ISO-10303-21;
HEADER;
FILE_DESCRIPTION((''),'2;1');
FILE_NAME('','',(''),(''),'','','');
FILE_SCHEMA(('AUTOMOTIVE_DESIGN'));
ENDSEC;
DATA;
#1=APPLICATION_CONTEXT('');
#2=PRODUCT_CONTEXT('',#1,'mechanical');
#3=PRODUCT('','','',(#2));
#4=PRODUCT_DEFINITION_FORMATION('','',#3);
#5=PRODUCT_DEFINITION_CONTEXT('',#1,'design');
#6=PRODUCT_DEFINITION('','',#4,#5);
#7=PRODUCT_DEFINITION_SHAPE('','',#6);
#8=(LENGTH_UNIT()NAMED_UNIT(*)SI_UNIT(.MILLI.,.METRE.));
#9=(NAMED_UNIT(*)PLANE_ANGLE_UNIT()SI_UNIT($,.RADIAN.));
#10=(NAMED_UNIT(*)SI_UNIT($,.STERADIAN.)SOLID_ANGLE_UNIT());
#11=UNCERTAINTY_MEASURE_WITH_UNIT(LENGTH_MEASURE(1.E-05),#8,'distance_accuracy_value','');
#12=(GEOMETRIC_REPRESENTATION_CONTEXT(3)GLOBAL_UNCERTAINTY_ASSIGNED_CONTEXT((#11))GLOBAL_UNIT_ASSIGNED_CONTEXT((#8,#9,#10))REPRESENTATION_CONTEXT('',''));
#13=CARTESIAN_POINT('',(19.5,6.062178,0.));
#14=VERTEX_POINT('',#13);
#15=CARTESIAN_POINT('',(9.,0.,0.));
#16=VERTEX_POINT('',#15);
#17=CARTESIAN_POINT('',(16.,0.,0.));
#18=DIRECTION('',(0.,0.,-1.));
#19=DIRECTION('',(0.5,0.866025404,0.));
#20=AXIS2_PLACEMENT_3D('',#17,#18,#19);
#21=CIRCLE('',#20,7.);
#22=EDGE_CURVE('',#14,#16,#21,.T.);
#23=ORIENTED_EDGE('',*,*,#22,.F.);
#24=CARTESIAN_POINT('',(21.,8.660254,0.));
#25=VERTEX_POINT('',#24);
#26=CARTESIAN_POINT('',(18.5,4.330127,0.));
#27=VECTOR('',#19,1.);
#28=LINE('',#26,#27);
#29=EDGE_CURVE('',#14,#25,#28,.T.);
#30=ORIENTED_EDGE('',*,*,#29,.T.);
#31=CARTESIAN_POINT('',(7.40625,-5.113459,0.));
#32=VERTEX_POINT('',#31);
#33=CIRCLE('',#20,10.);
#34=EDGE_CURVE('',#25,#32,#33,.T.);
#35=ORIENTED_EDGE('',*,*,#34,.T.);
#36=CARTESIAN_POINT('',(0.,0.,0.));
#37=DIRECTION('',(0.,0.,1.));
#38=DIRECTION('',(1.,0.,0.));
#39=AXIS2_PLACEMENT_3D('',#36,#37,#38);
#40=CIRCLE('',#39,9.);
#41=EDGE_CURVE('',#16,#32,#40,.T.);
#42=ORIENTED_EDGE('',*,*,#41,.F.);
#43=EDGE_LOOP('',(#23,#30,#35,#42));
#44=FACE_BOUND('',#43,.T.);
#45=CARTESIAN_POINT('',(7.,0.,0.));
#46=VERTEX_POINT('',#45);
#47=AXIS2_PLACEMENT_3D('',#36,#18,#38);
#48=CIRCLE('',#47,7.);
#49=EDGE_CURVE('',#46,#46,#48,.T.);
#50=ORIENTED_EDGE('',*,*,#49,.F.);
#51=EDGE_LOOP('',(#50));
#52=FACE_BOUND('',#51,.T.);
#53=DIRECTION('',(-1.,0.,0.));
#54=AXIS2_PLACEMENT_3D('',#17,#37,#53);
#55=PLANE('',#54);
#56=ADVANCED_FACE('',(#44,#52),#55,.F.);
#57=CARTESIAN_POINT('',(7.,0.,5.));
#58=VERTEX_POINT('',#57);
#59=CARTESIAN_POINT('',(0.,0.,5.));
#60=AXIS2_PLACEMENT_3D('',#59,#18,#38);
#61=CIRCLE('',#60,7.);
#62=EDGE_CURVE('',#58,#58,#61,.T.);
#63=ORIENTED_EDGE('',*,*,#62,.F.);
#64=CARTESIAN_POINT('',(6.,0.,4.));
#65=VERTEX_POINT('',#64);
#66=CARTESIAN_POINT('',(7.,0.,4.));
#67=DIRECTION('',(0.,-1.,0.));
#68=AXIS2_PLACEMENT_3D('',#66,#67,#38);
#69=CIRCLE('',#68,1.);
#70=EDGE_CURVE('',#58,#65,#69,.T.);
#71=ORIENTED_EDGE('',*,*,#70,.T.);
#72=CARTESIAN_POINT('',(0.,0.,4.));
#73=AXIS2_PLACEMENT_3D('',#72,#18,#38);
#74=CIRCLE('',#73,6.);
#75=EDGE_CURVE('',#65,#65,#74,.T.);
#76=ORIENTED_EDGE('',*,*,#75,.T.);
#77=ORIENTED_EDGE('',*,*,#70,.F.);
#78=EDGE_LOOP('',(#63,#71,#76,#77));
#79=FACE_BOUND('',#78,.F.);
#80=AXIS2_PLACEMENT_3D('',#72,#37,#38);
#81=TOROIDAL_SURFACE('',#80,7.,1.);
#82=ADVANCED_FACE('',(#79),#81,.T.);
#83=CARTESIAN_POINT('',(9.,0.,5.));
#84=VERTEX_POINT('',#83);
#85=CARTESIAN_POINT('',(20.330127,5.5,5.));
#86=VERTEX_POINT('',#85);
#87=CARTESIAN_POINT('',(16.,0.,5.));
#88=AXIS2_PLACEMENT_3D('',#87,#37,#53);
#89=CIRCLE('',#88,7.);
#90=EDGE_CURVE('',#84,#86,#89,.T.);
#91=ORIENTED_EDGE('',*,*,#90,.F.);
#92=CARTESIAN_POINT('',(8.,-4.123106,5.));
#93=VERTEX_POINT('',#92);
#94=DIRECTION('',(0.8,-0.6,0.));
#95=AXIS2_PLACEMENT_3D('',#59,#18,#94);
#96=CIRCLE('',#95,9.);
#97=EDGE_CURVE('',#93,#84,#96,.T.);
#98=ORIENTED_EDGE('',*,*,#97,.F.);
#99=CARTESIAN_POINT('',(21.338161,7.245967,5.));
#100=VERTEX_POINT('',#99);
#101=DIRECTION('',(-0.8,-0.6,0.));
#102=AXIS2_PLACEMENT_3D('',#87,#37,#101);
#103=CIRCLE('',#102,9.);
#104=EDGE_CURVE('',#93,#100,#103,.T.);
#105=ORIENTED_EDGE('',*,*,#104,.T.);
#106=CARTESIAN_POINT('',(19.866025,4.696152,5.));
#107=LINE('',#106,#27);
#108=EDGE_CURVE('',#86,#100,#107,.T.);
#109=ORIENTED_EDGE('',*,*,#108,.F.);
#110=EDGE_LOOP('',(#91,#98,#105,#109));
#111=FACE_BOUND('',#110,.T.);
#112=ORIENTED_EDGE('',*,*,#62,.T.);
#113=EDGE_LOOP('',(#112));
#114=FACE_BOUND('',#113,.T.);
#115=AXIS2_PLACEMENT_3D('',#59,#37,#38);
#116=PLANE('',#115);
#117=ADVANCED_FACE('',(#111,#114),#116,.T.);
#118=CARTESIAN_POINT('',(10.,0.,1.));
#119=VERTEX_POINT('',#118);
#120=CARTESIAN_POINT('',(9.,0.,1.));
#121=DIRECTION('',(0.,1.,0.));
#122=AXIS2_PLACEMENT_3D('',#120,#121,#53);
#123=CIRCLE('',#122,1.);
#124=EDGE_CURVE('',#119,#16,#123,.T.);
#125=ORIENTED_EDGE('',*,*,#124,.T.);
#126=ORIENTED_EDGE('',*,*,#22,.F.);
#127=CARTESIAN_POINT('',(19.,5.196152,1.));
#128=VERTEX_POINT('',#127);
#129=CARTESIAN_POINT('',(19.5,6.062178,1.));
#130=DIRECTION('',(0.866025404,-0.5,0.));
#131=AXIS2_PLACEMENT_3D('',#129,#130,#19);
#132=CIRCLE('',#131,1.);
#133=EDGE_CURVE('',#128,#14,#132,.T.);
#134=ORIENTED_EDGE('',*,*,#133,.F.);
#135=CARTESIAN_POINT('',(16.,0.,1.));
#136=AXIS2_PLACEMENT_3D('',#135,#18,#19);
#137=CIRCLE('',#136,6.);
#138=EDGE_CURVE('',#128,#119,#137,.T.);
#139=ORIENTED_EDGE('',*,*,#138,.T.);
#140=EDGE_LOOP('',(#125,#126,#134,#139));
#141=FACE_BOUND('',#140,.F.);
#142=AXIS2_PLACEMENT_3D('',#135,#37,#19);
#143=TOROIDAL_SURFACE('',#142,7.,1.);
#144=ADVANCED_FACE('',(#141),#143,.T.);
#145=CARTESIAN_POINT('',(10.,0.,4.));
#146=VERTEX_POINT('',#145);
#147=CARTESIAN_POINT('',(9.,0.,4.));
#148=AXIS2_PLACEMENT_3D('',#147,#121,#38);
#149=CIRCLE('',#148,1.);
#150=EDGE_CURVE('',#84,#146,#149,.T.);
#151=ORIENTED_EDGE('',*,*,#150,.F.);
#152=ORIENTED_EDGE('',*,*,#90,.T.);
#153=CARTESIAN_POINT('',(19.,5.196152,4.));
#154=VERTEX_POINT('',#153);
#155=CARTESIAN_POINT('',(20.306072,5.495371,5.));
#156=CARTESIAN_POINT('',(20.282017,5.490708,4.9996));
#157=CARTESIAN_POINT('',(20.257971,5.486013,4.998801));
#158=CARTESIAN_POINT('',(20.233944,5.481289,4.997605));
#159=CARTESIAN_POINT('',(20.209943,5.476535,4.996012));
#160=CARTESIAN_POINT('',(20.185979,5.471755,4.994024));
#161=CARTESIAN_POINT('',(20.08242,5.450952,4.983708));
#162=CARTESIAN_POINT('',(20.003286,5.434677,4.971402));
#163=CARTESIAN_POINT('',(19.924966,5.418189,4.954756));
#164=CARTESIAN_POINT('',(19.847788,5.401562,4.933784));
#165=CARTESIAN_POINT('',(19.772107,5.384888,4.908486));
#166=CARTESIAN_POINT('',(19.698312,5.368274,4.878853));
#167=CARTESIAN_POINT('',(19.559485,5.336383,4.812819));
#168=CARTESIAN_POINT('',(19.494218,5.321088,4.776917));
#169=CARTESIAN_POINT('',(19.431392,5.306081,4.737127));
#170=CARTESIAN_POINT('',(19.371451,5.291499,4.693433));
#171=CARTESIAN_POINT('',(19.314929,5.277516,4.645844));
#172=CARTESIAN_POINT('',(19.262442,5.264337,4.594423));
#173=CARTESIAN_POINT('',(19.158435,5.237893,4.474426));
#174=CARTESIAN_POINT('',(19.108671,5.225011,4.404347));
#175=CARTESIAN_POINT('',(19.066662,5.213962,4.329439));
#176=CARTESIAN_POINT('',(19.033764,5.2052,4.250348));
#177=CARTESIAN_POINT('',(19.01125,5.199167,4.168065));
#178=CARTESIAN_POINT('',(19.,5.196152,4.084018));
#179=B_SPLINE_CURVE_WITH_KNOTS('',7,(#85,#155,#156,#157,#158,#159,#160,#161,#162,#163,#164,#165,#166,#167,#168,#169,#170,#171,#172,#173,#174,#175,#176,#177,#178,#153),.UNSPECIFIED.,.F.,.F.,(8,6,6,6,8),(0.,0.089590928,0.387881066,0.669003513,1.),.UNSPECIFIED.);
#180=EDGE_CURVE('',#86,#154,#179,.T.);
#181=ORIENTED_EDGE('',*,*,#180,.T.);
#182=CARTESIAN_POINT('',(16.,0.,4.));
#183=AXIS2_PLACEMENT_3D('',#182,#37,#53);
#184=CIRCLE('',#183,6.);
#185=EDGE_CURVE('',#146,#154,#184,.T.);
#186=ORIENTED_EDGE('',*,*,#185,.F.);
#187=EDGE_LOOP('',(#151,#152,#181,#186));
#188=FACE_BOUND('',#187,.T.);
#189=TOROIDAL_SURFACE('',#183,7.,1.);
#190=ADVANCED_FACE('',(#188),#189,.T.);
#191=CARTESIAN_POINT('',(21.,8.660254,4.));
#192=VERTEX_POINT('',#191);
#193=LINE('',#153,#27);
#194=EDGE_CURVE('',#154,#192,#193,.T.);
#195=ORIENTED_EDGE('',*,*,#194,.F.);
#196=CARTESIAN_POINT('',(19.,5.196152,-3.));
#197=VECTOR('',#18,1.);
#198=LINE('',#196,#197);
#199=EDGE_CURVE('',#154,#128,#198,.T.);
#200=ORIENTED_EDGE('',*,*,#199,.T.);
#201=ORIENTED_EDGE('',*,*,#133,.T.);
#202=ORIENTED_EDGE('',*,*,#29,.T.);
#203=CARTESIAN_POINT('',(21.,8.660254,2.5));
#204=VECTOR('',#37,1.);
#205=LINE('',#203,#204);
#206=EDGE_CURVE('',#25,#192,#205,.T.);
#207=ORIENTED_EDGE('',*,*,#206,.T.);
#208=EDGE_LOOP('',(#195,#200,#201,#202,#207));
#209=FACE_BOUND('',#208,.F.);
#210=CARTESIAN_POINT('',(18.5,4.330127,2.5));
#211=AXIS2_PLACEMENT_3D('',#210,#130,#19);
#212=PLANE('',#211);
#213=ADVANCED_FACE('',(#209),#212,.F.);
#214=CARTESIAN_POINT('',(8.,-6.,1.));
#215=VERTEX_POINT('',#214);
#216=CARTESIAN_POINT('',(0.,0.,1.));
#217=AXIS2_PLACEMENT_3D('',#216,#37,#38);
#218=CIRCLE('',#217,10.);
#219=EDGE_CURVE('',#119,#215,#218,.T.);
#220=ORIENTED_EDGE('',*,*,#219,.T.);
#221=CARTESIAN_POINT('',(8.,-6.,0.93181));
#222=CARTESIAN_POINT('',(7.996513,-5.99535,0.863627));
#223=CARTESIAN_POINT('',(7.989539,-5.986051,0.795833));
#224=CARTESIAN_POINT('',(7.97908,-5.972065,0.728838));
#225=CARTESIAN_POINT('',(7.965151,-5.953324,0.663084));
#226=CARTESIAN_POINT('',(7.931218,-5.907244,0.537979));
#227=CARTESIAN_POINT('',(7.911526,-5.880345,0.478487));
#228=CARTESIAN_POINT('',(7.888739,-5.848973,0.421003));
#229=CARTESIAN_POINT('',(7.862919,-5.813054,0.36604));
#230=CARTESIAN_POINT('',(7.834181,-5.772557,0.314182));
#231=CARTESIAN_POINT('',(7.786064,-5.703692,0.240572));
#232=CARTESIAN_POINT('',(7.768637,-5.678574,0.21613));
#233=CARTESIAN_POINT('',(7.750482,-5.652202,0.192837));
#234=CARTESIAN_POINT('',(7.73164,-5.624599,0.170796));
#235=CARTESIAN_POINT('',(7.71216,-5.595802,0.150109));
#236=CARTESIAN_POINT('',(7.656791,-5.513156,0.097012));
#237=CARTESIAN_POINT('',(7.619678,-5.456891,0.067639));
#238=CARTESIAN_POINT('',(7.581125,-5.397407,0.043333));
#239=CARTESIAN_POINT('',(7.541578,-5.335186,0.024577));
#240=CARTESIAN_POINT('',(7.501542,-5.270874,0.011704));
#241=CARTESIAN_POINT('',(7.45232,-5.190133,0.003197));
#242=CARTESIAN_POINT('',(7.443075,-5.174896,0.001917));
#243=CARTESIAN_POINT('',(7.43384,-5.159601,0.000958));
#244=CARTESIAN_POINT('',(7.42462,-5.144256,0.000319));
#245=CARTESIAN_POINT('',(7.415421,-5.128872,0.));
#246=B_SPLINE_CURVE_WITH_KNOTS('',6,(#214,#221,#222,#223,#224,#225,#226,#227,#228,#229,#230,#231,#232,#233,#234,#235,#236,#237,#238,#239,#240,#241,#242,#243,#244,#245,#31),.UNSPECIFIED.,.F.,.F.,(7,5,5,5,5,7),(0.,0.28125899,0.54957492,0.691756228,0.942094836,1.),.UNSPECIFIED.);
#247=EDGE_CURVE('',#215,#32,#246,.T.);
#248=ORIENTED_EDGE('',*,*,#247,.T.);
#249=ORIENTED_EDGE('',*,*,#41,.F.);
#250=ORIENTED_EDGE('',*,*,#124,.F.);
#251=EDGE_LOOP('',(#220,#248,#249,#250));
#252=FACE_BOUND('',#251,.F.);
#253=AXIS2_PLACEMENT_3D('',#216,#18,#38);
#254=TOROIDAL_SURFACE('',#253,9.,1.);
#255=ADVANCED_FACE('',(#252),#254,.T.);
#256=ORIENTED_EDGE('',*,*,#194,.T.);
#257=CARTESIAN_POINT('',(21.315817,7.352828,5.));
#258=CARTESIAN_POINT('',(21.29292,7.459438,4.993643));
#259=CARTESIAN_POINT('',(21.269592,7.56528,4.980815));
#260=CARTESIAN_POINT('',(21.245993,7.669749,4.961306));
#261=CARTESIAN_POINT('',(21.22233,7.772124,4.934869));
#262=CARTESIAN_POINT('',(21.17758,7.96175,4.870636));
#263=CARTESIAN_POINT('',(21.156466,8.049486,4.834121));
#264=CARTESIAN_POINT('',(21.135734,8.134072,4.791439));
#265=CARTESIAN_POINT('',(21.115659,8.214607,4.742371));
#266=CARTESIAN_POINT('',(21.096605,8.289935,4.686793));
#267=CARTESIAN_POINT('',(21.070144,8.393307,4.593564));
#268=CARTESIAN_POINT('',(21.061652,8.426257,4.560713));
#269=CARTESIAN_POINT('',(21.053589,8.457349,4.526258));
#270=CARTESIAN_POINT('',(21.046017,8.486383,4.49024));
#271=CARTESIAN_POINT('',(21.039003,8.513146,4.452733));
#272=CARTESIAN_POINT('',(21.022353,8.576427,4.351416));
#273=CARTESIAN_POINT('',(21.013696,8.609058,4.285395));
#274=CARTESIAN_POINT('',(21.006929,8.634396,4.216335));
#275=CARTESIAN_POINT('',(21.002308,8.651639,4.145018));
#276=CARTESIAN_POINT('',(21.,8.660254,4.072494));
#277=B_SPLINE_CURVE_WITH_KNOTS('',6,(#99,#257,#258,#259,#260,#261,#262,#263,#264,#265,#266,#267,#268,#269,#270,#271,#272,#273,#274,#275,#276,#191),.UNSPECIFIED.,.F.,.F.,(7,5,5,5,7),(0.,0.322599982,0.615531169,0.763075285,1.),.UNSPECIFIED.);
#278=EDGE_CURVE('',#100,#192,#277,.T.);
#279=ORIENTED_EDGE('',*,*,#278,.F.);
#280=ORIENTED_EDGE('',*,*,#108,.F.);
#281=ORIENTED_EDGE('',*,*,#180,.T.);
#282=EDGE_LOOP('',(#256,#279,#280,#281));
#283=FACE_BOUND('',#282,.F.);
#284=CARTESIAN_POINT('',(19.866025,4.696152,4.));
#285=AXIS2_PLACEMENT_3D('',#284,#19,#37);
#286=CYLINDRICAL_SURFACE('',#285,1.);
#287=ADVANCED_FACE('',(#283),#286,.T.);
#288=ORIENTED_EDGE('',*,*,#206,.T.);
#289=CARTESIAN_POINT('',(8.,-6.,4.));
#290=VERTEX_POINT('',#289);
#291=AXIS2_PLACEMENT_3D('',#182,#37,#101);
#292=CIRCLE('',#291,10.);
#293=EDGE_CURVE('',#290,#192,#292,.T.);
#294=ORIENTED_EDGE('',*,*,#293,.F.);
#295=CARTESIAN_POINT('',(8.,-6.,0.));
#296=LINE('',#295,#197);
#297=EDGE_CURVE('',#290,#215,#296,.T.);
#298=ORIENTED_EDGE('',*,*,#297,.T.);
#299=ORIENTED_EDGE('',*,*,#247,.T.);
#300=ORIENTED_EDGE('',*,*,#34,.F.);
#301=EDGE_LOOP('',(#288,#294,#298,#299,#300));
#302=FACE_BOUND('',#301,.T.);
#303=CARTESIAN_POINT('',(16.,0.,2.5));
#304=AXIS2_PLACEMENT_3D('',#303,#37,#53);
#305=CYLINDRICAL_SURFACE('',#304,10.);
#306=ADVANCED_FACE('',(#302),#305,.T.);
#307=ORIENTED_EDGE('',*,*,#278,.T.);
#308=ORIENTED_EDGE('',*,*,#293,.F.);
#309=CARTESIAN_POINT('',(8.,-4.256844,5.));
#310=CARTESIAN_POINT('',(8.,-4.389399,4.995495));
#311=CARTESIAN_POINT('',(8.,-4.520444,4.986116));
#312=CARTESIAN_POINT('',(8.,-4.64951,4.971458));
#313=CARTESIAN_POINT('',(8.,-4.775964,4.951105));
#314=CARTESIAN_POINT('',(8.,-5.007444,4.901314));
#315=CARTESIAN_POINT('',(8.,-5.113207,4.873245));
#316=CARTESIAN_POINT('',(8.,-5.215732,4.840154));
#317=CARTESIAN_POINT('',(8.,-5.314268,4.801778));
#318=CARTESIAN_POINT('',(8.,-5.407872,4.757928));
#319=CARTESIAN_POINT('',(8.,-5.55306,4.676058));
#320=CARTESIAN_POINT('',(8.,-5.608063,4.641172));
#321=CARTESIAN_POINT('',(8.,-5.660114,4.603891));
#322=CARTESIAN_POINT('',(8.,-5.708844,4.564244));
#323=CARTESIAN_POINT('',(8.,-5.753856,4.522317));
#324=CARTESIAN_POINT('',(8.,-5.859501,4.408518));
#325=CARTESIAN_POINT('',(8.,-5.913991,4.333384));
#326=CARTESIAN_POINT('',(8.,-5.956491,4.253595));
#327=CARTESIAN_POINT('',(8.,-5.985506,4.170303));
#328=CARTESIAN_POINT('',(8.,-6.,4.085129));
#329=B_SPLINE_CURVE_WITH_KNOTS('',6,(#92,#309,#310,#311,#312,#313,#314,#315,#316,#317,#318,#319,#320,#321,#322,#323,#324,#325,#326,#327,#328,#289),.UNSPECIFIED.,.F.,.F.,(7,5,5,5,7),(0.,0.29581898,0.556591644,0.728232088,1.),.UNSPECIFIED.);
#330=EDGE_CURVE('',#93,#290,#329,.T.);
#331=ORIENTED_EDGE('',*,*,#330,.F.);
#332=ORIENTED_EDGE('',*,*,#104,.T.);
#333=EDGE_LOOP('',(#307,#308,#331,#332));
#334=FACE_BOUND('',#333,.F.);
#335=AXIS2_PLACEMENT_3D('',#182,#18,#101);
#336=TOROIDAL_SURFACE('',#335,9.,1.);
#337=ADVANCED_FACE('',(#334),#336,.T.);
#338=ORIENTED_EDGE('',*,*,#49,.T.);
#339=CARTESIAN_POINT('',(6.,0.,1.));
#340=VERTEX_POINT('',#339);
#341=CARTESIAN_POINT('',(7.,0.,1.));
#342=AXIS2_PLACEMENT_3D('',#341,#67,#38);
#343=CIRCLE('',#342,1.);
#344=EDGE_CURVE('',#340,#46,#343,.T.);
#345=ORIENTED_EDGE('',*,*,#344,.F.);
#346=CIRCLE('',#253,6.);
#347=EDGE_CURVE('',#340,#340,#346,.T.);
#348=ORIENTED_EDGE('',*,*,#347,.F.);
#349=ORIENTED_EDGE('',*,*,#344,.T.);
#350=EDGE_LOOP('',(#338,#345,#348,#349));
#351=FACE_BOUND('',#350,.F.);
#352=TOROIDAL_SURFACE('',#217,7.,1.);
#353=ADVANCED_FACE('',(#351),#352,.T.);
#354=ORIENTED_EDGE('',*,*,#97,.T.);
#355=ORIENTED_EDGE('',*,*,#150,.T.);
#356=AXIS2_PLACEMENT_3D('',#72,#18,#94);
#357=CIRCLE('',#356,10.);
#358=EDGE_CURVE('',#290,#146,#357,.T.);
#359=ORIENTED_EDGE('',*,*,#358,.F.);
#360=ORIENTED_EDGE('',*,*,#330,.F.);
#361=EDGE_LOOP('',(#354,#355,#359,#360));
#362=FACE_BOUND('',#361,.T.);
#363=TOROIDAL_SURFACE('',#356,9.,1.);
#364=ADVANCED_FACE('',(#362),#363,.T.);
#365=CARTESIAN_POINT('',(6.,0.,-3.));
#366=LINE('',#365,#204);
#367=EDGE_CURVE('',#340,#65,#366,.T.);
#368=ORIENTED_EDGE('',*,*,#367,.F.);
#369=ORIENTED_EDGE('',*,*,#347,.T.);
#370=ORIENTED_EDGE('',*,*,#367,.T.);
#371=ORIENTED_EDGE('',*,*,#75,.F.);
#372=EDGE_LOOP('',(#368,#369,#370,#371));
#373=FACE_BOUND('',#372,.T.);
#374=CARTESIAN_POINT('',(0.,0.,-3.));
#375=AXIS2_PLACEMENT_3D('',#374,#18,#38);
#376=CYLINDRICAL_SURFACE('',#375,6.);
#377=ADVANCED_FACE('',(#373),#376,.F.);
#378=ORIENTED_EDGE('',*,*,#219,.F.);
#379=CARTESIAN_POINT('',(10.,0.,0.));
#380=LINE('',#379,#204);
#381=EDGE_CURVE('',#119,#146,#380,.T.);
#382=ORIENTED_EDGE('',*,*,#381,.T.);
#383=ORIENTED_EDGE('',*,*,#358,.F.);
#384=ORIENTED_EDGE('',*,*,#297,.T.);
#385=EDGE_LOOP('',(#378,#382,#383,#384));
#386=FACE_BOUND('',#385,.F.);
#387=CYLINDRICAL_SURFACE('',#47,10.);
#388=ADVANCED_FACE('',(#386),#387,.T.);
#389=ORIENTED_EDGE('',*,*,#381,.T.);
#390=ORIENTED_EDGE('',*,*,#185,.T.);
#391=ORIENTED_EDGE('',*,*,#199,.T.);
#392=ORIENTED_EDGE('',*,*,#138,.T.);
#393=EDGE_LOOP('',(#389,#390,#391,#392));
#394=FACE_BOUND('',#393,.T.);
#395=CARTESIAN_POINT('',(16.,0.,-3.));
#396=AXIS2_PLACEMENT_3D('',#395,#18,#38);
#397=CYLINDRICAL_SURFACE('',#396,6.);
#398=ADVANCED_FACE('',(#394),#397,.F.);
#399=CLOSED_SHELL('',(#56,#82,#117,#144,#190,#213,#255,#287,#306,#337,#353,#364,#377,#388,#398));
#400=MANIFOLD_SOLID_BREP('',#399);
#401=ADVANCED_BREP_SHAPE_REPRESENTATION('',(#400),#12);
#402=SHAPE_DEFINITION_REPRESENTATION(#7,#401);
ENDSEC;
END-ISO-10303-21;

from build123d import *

# Parameters (mm, degrees)
CYLINDER003_R     = 6
CYLINDER003_DEPTH = 10
CYLINDER002_W     = 10
CYLINDER002_H     = 5
CYLINDER002_ANGLE = 240
CYLINDER001_R     = 6
CYLINDER001_DEPTH = 10
CYLINDER_R        = 10
CYLINDER_DEPTH    = 5
FILLET_R          = 1
FILLET001_R       = 1
FILLET002_R       = 1


with BuildPart() as resta_garfio:
    # Cylinder003 → Cylinder003 (new body)
    with BuildSketch(Plane(origin=(16, 0, -3), x_dir=(1, 0, 0), z_dir=(0, 0, 1))):
        Circle(CYLINDER003_R)
    extrude(amount=CYLINDER003_DEPTH)


with BuildPart() as garfio_hueco:
    # Cylinder002 → Cylinder002 (revolve)
    with BuildSketch(Plane(origin=(16, 0, 0), x_dir=(-1, 0, 0), z_dir=(0, 1, 0))):
        with Locations((5, 2.5)):
            Rectangle(CYLINDER002_W, CYLINDER002_H)
    revolve(axis=Axis((16, 0, 0), (0, 0, 1)), revolution_arc=CYLINDER002_ANGLE)

    # Cut001: cut resta_garfio
    add(resta_garfio.part, mode=Mode.SUBTRACT)


with BuildPart() as resta_base:
    # Cylinder001 → Cylinder001 (new body)
    with BuildSketch(Plane.XY.offset(-3)):
        Circle(CYLINDER001_R)
    extrude(amount=CYLINDER001_DEPTH)


with BuildPart() as fillet002:
    # Cylinder → Cylinder (new body)
    with BuildSketch(Plane.XY):
        Circle(CYLINDER_R)
    extrude(amount=CYLINDER_DEPTH)

    # Cut: cut resta_base
    add(resta_base.part, mode=Mode.SUBTRACT)

    # Fusion: union garfio_hueco
    add(garfio_hueco.part)

    # Fillet
    fillet_edges = [fillet002.edges().sort_by_distance(p)[0] for p in [
        (20, 6.928203, 5),
        (23.482029, -6.6347, 5),
        (21.196152, 3, 5),
        (16, -6, 5),
        (-9.486833, 3.162278, 5),
    ]]
    fillet(fillet_edges, radius=FILLET_R)

    # Fillet001
    fillet001_edges = [fillet002.edges().sort_by_distance(p)[0] for p in [
        (-6, 0, 0),
        (-6, 0, 5),
    ]]
    fillet(fillet001_edges, radius=FILLET001_R)

    # Fillet002
    fillet002_edges = [fillet002.edges().sort_by_distance(p)[0] for p in [
        (-9.486833, 3.162278, 0),
    ]]
    fillet(fillet002_edges, radius=FILLET002_R)


solid = fillet002.part
